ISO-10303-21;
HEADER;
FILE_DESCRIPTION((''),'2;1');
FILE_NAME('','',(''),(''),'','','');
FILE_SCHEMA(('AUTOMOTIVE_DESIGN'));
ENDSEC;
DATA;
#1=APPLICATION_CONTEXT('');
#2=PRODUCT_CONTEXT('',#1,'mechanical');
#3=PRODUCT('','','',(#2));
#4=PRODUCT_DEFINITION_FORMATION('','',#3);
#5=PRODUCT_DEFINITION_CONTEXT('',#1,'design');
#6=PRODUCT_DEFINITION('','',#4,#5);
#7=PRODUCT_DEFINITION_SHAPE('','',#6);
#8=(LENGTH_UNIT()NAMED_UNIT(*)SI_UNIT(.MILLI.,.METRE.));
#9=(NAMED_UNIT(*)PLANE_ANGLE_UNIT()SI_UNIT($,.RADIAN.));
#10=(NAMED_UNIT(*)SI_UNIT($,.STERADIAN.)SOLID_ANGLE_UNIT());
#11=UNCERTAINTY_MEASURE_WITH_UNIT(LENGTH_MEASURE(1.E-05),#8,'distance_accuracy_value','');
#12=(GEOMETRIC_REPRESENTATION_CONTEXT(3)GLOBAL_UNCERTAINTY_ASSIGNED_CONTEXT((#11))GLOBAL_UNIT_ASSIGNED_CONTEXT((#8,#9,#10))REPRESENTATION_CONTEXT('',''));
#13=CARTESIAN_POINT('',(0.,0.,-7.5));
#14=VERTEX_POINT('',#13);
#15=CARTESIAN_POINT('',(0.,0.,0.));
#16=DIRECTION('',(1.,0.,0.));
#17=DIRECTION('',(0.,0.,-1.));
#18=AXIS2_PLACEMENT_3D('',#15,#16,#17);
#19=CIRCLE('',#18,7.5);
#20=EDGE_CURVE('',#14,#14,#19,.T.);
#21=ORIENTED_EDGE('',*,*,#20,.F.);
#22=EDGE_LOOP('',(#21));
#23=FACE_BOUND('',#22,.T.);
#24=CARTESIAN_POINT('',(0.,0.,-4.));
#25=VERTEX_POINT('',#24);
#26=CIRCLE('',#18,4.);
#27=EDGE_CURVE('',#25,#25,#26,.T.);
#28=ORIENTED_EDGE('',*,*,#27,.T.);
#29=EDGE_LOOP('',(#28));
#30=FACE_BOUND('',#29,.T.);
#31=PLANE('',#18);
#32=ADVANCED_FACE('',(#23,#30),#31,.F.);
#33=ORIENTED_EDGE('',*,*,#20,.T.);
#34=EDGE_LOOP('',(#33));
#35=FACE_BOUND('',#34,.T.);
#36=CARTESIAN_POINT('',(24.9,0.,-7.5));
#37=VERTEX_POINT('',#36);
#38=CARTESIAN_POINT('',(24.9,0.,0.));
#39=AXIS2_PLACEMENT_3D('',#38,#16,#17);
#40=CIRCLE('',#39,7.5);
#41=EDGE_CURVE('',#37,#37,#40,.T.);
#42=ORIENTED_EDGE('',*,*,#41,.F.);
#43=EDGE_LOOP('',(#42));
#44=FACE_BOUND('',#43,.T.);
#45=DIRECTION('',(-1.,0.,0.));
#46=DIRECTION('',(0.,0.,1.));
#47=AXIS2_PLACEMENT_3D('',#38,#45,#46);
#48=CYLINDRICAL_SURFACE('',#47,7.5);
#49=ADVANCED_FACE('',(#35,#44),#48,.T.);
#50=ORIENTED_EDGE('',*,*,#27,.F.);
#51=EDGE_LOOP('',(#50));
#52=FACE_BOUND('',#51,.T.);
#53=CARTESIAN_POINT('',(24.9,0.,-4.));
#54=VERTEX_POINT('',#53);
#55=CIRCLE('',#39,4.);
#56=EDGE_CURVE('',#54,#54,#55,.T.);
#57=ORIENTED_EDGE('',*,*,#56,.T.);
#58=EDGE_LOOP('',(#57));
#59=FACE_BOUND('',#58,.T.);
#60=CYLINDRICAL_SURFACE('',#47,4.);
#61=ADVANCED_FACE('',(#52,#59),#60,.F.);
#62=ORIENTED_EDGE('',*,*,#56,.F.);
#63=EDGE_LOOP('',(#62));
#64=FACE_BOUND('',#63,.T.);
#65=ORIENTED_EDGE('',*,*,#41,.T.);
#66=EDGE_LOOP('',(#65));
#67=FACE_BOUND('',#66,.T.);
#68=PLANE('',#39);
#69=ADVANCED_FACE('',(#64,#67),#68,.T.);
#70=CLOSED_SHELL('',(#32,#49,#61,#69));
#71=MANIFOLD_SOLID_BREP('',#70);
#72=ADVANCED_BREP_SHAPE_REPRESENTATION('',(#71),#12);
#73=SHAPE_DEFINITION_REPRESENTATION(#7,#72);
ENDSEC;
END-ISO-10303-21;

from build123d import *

# Parameters (mm, degrees)
CROQUIS1_R              = 7.5
CROQUIS1_R_2            = 4
SALIENTE_EXTRUIR1_DEPTH = 24.9


with BuildPart() as part:
    # Croquis1 → Saliente-Extruir1 (new body)
    with BuildSketch(Plane(origin=(0, 0, 0), x_dir=(0, 0, -1), z_dir=(1, 0, 0))):
        Circle(CROQUIS1_R)
        Circle(CROQUIS1_R_2, mode=Mode.SUBTRACT)
    extrude(amount=SALIENTE_EXTRUIR1_DEPTH)


solid = part.part
